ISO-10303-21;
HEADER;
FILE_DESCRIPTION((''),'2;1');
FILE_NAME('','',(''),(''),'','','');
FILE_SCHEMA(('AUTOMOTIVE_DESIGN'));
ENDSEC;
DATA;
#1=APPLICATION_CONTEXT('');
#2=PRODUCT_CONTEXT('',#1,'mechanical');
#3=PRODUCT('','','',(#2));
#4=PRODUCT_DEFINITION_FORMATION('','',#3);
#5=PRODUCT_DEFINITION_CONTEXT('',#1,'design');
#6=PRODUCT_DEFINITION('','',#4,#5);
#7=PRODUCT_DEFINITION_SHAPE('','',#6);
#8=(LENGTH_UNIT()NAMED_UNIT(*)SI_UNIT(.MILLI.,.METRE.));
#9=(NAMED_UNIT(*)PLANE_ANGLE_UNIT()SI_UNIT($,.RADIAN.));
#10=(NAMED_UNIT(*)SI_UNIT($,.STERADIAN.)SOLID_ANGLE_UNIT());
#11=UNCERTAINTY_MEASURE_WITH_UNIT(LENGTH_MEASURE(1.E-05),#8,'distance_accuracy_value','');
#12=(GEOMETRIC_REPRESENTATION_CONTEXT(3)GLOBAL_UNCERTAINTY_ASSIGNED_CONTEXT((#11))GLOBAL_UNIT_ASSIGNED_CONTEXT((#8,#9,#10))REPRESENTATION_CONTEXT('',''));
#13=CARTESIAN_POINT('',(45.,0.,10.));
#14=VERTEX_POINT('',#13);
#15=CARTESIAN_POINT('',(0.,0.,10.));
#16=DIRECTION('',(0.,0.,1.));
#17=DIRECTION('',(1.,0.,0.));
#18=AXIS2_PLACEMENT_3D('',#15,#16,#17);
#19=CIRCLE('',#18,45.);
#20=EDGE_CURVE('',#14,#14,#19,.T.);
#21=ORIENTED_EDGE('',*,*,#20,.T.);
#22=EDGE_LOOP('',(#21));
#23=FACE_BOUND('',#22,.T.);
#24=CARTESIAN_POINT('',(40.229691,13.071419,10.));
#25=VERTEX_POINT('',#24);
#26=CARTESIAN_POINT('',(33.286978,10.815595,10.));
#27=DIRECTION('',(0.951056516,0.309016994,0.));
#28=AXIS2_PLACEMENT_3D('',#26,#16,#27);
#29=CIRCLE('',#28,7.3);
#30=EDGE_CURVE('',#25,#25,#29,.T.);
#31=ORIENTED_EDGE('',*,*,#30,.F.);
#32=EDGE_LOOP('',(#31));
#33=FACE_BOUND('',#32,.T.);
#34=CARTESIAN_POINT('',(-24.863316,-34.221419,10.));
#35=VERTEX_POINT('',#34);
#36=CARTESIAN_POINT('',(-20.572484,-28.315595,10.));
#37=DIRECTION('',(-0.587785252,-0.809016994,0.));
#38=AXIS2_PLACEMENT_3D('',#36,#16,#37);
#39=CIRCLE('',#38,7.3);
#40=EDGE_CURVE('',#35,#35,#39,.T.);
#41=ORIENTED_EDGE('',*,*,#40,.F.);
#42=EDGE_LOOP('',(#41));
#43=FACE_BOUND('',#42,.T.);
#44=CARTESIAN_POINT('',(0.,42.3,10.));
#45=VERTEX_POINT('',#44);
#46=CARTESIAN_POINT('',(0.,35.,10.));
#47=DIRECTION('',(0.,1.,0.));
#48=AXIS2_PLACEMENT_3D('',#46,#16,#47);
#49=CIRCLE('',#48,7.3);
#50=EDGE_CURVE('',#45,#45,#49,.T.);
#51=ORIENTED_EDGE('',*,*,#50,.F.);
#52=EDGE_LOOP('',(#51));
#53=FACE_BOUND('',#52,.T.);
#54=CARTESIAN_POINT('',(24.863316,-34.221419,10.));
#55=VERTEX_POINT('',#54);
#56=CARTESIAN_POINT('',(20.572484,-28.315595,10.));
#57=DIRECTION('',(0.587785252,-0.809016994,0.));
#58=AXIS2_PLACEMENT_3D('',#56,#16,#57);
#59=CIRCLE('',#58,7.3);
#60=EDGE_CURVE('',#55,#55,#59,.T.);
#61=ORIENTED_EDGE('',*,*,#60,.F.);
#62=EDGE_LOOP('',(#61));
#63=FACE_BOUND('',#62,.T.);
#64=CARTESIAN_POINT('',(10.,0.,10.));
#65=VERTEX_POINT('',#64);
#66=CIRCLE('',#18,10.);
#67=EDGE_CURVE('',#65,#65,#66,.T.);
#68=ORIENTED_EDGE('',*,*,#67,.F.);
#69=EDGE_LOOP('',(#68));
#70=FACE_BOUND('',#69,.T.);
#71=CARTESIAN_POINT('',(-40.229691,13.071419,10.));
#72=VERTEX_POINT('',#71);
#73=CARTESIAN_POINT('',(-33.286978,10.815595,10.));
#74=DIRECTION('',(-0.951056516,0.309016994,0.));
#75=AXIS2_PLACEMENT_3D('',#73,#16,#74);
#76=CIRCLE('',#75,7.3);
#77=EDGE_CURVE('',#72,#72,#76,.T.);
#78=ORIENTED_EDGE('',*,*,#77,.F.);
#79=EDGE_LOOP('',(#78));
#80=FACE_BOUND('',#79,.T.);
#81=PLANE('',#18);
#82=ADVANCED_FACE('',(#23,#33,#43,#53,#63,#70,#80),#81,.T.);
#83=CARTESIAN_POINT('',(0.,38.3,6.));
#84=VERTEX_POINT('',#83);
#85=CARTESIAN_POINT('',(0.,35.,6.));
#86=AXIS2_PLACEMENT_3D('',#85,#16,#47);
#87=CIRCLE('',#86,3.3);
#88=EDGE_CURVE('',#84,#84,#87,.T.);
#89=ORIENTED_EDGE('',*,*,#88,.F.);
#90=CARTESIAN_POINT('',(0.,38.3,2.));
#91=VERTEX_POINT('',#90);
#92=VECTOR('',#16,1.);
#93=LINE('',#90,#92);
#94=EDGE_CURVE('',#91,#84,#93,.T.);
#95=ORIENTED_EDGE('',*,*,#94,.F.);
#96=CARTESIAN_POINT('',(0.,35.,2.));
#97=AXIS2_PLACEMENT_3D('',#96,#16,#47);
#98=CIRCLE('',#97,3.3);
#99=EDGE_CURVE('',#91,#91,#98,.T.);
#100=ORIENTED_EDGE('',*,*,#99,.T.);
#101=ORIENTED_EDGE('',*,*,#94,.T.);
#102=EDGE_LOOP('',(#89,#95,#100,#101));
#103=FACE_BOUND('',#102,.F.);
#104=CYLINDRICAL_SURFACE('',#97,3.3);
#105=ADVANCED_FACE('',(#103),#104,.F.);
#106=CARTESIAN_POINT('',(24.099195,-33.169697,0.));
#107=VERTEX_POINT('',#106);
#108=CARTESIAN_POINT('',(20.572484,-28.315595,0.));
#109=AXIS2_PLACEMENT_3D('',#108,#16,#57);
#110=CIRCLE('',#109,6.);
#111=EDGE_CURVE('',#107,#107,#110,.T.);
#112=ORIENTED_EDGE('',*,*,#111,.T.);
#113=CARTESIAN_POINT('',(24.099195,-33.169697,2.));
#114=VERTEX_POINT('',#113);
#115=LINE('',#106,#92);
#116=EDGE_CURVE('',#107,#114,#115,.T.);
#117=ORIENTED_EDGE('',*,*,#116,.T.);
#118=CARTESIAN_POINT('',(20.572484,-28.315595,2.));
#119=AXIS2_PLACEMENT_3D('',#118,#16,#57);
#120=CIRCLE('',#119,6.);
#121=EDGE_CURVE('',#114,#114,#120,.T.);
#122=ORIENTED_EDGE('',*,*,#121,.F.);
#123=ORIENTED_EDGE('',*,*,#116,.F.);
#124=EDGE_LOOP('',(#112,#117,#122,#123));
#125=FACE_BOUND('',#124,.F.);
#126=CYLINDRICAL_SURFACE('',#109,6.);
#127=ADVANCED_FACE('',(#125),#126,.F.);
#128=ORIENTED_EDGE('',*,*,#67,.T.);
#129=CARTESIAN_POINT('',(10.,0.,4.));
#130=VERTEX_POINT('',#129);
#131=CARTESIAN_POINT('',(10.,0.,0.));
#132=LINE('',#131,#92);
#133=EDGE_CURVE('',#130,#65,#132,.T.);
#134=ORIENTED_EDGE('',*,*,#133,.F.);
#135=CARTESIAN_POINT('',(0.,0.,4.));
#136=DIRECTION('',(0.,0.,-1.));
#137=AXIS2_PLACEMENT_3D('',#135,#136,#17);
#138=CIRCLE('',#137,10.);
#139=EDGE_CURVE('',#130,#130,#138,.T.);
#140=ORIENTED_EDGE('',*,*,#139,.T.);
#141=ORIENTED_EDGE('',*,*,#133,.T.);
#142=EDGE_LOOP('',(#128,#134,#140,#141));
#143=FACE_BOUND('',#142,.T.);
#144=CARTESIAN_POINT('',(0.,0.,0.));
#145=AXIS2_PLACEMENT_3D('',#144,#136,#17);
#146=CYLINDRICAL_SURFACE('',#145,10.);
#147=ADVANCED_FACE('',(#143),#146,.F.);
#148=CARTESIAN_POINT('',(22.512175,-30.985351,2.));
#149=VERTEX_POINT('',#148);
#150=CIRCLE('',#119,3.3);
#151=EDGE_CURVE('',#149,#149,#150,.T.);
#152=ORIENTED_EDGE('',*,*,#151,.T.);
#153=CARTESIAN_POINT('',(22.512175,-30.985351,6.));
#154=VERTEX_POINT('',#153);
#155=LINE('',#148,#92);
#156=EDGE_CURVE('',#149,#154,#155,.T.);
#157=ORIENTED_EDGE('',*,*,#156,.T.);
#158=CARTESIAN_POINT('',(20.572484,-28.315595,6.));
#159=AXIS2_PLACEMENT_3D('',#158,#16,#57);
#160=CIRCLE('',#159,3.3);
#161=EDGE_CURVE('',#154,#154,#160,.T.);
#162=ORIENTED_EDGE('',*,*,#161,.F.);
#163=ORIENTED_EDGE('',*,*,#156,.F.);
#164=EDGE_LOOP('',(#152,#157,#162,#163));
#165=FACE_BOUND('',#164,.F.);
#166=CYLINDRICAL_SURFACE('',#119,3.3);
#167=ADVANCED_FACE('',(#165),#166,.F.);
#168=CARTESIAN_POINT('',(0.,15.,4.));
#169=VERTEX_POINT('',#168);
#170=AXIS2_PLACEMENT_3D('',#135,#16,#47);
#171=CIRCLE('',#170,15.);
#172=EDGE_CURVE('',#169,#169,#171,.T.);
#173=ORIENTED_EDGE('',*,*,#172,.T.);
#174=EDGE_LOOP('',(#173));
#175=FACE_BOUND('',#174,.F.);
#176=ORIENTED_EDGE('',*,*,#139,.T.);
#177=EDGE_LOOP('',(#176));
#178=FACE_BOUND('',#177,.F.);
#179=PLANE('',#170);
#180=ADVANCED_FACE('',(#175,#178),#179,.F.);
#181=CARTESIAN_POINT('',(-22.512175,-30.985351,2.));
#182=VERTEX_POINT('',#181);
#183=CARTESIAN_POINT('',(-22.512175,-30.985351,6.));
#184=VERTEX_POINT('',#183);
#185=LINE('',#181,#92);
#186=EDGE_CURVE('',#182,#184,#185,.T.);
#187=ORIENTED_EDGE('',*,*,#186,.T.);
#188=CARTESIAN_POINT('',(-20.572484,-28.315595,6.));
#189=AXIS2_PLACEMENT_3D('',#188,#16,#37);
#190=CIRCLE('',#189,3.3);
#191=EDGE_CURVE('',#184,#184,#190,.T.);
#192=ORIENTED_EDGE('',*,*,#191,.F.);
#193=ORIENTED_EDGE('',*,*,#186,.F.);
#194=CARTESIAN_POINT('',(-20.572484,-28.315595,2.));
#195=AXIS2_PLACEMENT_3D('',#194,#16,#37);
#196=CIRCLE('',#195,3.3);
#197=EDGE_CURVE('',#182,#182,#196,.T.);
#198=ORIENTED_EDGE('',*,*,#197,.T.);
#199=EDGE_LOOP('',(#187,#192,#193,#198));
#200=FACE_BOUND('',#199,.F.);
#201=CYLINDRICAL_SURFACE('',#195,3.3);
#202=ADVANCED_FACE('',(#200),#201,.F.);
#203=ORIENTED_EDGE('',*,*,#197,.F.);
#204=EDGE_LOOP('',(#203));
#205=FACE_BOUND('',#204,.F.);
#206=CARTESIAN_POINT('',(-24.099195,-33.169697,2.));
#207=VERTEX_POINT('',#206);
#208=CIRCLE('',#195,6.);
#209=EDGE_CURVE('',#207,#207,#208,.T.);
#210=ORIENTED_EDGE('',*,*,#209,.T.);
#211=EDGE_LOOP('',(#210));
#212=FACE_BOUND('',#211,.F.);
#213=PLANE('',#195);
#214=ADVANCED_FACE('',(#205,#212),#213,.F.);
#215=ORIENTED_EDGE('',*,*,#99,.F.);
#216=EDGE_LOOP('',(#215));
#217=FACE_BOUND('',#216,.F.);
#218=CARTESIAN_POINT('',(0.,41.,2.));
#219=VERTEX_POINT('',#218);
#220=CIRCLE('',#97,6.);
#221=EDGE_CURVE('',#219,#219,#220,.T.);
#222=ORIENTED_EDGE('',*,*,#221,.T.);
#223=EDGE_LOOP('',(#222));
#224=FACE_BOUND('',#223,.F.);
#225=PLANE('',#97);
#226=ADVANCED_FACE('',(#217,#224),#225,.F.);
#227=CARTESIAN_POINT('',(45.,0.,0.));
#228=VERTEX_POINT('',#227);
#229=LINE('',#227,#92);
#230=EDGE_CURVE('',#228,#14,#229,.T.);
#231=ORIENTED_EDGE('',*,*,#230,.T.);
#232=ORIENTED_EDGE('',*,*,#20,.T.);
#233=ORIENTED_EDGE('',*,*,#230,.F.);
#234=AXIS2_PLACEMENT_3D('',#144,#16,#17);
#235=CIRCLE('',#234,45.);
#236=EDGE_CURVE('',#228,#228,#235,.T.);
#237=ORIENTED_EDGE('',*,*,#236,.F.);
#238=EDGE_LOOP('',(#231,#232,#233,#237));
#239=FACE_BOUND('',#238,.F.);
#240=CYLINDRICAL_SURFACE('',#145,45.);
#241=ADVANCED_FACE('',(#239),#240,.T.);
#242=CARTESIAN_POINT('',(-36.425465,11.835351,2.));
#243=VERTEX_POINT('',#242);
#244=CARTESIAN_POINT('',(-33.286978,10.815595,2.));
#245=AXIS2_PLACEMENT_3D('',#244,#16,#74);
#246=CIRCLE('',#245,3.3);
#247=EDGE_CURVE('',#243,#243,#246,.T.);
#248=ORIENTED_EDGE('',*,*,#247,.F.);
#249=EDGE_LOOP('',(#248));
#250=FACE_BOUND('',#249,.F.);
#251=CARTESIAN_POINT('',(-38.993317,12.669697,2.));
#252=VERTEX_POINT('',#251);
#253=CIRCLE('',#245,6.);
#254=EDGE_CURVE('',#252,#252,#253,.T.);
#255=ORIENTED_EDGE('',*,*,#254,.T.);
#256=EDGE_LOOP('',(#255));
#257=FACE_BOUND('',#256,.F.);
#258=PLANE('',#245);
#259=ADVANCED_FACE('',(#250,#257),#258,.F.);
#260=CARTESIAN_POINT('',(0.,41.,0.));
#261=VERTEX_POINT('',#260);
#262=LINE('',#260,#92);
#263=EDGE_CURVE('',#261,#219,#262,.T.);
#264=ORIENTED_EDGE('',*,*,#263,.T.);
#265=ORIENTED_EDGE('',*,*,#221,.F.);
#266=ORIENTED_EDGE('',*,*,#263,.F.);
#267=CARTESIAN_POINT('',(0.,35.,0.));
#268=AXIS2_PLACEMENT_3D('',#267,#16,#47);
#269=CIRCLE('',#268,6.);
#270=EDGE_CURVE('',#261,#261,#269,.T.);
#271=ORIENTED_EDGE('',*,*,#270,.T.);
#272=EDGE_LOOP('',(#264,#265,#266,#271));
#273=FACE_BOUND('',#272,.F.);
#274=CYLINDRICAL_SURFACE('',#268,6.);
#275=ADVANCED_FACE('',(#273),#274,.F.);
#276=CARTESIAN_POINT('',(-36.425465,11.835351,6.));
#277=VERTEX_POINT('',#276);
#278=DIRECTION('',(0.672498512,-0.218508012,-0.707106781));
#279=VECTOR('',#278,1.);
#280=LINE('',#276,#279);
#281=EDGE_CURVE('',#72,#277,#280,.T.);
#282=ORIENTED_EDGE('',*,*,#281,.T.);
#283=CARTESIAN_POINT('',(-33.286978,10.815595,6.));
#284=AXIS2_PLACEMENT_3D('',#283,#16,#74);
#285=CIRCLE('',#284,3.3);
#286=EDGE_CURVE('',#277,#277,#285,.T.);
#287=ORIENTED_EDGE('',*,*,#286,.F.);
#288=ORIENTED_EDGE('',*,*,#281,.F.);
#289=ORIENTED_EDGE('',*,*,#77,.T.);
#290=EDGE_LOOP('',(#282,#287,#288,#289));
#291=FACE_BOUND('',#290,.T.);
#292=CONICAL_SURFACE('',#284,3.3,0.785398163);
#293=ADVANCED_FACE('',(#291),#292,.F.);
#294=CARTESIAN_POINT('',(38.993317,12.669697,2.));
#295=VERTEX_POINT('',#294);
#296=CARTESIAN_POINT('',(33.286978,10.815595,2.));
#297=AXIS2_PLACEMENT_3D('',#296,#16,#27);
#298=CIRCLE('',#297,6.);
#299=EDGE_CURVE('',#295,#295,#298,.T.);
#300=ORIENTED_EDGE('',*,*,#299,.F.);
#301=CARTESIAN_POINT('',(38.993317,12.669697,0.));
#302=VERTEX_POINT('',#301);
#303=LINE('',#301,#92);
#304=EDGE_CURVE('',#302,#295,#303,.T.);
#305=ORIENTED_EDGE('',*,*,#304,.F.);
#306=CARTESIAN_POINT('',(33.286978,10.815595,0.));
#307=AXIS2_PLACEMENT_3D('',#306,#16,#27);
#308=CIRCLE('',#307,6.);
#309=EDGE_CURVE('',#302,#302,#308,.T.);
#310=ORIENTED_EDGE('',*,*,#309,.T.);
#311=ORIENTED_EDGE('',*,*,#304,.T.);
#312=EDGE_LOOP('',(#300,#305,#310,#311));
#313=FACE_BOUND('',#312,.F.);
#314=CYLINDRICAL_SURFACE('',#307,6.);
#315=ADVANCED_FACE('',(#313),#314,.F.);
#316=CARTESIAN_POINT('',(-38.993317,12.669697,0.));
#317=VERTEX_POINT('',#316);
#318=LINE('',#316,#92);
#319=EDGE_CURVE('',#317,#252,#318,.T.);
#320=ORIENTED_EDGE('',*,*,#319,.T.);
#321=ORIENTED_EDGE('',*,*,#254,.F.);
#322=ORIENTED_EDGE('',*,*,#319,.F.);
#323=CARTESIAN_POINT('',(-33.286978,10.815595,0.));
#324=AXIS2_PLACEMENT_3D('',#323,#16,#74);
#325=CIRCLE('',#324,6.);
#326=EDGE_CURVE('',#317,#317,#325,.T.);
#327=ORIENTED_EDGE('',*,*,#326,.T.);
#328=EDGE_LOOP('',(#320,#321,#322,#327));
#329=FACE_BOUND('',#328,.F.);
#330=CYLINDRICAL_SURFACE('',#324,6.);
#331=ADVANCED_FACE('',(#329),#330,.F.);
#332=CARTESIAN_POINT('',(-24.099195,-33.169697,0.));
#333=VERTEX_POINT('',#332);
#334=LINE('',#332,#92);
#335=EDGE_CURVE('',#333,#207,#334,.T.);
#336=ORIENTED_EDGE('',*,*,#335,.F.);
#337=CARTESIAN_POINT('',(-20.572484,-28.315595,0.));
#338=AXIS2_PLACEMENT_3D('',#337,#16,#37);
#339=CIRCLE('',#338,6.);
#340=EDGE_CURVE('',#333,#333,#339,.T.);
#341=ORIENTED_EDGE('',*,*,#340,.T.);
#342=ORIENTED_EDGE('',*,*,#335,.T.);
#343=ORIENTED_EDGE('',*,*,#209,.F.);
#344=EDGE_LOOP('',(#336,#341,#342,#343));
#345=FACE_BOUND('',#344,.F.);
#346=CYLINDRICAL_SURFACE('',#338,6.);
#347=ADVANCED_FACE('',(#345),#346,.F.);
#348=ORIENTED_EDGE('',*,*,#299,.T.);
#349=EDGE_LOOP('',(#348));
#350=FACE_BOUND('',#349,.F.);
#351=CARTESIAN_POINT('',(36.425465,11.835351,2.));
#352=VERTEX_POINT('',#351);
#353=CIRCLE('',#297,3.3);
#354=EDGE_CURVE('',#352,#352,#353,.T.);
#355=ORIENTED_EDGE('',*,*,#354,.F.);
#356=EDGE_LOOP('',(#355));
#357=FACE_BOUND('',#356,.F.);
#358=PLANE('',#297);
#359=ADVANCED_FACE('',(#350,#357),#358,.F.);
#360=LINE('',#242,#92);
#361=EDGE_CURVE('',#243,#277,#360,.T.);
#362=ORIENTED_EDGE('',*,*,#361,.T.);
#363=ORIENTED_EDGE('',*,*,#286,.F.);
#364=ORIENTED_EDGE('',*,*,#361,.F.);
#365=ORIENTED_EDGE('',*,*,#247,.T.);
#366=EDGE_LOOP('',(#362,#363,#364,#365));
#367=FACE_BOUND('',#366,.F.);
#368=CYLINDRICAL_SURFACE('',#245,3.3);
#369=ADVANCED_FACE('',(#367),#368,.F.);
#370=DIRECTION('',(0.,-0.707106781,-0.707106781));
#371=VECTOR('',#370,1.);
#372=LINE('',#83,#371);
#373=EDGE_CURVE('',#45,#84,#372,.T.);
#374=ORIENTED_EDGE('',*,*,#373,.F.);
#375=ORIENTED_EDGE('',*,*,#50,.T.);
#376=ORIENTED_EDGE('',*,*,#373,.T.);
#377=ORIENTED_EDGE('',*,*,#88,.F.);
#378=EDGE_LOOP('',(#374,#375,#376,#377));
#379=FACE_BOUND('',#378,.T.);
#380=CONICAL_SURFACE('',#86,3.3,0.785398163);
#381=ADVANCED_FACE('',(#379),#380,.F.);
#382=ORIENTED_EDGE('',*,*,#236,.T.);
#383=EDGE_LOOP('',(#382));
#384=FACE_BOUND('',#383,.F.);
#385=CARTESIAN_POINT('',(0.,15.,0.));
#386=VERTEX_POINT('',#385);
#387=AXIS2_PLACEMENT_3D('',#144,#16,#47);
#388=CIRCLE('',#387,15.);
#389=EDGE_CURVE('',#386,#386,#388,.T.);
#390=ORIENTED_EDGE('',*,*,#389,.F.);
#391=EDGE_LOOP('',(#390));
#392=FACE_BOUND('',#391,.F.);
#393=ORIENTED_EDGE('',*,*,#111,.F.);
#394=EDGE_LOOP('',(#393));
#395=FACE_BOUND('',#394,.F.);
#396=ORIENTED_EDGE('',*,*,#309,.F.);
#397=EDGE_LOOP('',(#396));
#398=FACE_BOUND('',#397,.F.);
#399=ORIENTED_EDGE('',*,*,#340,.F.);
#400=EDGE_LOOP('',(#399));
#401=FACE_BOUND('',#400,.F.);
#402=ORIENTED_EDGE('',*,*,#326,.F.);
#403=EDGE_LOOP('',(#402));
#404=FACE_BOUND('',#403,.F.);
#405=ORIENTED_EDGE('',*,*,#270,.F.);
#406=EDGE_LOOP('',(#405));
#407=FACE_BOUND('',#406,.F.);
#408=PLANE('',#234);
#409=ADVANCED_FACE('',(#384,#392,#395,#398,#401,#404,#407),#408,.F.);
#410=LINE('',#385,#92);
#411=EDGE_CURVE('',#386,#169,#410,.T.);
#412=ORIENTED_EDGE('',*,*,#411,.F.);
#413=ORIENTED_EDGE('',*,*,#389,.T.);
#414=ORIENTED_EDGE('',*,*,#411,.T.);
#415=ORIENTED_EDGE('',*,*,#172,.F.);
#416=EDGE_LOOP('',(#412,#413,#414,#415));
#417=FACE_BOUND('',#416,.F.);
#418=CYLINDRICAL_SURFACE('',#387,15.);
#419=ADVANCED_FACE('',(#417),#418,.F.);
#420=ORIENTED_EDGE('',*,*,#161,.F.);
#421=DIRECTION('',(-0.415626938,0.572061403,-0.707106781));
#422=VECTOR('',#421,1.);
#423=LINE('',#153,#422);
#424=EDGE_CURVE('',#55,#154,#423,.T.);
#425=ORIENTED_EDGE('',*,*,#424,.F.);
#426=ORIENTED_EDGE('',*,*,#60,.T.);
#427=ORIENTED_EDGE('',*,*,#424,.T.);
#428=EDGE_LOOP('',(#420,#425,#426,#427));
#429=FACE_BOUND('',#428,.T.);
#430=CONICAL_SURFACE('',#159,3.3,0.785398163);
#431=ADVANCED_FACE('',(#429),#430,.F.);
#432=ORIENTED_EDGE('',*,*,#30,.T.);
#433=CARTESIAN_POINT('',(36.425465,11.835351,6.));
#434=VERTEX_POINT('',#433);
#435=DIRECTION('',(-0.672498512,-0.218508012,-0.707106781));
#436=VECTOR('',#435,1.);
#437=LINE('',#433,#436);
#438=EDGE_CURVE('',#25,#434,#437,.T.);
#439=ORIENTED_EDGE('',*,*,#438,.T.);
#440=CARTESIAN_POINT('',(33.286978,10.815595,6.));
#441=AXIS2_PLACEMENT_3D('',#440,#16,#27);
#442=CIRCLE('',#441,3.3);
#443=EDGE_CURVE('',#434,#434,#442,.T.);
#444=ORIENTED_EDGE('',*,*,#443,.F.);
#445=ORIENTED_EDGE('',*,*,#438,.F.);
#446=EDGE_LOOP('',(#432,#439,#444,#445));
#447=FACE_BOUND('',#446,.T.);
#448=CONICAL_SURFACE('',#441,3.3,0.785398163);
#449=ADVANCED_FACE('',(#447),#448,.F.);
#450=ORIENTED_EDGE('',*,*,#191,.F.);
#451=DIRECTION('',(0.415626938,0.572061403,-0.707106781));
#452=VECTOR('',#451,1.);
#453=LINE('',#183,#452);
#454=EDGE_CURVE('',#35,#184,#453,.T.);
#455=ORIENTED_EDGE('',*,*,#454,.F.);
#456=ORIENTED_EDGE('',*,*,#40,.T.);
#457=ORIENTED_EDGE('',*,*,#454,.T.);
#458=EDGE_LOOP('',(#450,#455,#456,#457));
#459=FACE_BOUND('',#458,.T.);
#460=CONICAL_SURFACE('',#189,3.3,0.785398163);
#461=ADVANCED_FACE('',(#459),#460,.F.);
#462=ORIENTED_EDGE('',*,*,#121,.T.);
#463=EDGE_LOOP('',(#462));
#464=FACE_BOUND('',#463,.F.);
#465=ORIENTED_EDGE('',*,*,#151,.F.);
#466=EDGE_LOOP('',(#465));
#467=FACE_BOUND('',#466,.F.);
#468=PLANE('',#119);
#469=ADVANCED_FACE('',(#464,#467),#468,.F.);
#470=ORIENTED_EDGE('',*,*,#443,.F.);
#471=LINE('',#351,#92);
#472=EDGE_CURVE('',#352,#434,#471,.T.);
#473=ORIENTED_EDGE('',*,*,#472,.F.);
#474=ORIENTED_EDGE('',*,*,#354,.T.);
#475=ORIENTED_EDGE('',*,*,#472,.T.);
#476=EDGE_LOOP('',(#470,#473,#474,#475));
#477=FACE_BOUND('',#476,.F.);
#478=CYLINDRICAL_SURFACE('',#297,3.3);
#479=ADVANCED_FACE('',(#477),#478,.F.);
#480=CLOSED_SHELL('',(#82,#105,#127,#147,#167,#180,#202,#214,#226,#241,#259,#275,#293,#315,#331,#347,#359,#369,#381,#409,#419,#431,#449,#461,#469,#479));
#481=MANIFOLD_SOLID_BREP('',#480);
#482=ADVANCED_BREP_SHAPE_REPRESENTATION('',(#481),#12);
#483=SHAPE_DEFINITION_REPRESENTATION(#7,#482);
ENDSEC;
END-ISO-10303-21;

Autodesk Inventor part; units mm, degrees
ref_plane "YZ Plane" through (0, 0, 0) normal (1, 0, 0) x (0, 1, 0)
ref_plane "XZ Plane" through (0, 0, 0) normal (0, 1, 0) x (-1, 0, 0)
ref_plane "XY Plane" through (0, 0, 0) normal (0, 0, 1) x (1, 0, 0)
sketch "Sketch1" plane through (0, 0, 0) normal (0, 0, 1) x (1, 0, 0)
  circle A0 centre (0, 0) radius 45
  circle A1 centre (0, 0) radius 10
  dimension "d0" = 90
  dimension "d1" = 20
extrude "Extrusion1" add sketch "Sketch1" along normal blind 10
hole "Hole1" at (0, 0, 0) direction (0, 0, 1) diameter 30 depth 4
sketch "Sketch2" plane through (0, 0, 0) normal (0, 0, -1) x (-1, 0, 0)
  circle A0 centre (0, 35) radius 3.6674
  point P0 (0, 0)
  dimension "d15" = 35
hole "Hole2" at (0, 35, 0) direction (0, 0, 1) diameter 6.6 end through all counterbore diameter 12 counterbore depth 2
chamfer "Chamfer1" distance 4 angle 45 1 edges at (0, 31.7, 10)
pattern_circular "Circular Pattern1" count 5 over 360 about axis through (0, 0, 0) along (0, 0, 1) of "Hole2", "Chamfer1"
properties part number "342-08" material "Titanium"
